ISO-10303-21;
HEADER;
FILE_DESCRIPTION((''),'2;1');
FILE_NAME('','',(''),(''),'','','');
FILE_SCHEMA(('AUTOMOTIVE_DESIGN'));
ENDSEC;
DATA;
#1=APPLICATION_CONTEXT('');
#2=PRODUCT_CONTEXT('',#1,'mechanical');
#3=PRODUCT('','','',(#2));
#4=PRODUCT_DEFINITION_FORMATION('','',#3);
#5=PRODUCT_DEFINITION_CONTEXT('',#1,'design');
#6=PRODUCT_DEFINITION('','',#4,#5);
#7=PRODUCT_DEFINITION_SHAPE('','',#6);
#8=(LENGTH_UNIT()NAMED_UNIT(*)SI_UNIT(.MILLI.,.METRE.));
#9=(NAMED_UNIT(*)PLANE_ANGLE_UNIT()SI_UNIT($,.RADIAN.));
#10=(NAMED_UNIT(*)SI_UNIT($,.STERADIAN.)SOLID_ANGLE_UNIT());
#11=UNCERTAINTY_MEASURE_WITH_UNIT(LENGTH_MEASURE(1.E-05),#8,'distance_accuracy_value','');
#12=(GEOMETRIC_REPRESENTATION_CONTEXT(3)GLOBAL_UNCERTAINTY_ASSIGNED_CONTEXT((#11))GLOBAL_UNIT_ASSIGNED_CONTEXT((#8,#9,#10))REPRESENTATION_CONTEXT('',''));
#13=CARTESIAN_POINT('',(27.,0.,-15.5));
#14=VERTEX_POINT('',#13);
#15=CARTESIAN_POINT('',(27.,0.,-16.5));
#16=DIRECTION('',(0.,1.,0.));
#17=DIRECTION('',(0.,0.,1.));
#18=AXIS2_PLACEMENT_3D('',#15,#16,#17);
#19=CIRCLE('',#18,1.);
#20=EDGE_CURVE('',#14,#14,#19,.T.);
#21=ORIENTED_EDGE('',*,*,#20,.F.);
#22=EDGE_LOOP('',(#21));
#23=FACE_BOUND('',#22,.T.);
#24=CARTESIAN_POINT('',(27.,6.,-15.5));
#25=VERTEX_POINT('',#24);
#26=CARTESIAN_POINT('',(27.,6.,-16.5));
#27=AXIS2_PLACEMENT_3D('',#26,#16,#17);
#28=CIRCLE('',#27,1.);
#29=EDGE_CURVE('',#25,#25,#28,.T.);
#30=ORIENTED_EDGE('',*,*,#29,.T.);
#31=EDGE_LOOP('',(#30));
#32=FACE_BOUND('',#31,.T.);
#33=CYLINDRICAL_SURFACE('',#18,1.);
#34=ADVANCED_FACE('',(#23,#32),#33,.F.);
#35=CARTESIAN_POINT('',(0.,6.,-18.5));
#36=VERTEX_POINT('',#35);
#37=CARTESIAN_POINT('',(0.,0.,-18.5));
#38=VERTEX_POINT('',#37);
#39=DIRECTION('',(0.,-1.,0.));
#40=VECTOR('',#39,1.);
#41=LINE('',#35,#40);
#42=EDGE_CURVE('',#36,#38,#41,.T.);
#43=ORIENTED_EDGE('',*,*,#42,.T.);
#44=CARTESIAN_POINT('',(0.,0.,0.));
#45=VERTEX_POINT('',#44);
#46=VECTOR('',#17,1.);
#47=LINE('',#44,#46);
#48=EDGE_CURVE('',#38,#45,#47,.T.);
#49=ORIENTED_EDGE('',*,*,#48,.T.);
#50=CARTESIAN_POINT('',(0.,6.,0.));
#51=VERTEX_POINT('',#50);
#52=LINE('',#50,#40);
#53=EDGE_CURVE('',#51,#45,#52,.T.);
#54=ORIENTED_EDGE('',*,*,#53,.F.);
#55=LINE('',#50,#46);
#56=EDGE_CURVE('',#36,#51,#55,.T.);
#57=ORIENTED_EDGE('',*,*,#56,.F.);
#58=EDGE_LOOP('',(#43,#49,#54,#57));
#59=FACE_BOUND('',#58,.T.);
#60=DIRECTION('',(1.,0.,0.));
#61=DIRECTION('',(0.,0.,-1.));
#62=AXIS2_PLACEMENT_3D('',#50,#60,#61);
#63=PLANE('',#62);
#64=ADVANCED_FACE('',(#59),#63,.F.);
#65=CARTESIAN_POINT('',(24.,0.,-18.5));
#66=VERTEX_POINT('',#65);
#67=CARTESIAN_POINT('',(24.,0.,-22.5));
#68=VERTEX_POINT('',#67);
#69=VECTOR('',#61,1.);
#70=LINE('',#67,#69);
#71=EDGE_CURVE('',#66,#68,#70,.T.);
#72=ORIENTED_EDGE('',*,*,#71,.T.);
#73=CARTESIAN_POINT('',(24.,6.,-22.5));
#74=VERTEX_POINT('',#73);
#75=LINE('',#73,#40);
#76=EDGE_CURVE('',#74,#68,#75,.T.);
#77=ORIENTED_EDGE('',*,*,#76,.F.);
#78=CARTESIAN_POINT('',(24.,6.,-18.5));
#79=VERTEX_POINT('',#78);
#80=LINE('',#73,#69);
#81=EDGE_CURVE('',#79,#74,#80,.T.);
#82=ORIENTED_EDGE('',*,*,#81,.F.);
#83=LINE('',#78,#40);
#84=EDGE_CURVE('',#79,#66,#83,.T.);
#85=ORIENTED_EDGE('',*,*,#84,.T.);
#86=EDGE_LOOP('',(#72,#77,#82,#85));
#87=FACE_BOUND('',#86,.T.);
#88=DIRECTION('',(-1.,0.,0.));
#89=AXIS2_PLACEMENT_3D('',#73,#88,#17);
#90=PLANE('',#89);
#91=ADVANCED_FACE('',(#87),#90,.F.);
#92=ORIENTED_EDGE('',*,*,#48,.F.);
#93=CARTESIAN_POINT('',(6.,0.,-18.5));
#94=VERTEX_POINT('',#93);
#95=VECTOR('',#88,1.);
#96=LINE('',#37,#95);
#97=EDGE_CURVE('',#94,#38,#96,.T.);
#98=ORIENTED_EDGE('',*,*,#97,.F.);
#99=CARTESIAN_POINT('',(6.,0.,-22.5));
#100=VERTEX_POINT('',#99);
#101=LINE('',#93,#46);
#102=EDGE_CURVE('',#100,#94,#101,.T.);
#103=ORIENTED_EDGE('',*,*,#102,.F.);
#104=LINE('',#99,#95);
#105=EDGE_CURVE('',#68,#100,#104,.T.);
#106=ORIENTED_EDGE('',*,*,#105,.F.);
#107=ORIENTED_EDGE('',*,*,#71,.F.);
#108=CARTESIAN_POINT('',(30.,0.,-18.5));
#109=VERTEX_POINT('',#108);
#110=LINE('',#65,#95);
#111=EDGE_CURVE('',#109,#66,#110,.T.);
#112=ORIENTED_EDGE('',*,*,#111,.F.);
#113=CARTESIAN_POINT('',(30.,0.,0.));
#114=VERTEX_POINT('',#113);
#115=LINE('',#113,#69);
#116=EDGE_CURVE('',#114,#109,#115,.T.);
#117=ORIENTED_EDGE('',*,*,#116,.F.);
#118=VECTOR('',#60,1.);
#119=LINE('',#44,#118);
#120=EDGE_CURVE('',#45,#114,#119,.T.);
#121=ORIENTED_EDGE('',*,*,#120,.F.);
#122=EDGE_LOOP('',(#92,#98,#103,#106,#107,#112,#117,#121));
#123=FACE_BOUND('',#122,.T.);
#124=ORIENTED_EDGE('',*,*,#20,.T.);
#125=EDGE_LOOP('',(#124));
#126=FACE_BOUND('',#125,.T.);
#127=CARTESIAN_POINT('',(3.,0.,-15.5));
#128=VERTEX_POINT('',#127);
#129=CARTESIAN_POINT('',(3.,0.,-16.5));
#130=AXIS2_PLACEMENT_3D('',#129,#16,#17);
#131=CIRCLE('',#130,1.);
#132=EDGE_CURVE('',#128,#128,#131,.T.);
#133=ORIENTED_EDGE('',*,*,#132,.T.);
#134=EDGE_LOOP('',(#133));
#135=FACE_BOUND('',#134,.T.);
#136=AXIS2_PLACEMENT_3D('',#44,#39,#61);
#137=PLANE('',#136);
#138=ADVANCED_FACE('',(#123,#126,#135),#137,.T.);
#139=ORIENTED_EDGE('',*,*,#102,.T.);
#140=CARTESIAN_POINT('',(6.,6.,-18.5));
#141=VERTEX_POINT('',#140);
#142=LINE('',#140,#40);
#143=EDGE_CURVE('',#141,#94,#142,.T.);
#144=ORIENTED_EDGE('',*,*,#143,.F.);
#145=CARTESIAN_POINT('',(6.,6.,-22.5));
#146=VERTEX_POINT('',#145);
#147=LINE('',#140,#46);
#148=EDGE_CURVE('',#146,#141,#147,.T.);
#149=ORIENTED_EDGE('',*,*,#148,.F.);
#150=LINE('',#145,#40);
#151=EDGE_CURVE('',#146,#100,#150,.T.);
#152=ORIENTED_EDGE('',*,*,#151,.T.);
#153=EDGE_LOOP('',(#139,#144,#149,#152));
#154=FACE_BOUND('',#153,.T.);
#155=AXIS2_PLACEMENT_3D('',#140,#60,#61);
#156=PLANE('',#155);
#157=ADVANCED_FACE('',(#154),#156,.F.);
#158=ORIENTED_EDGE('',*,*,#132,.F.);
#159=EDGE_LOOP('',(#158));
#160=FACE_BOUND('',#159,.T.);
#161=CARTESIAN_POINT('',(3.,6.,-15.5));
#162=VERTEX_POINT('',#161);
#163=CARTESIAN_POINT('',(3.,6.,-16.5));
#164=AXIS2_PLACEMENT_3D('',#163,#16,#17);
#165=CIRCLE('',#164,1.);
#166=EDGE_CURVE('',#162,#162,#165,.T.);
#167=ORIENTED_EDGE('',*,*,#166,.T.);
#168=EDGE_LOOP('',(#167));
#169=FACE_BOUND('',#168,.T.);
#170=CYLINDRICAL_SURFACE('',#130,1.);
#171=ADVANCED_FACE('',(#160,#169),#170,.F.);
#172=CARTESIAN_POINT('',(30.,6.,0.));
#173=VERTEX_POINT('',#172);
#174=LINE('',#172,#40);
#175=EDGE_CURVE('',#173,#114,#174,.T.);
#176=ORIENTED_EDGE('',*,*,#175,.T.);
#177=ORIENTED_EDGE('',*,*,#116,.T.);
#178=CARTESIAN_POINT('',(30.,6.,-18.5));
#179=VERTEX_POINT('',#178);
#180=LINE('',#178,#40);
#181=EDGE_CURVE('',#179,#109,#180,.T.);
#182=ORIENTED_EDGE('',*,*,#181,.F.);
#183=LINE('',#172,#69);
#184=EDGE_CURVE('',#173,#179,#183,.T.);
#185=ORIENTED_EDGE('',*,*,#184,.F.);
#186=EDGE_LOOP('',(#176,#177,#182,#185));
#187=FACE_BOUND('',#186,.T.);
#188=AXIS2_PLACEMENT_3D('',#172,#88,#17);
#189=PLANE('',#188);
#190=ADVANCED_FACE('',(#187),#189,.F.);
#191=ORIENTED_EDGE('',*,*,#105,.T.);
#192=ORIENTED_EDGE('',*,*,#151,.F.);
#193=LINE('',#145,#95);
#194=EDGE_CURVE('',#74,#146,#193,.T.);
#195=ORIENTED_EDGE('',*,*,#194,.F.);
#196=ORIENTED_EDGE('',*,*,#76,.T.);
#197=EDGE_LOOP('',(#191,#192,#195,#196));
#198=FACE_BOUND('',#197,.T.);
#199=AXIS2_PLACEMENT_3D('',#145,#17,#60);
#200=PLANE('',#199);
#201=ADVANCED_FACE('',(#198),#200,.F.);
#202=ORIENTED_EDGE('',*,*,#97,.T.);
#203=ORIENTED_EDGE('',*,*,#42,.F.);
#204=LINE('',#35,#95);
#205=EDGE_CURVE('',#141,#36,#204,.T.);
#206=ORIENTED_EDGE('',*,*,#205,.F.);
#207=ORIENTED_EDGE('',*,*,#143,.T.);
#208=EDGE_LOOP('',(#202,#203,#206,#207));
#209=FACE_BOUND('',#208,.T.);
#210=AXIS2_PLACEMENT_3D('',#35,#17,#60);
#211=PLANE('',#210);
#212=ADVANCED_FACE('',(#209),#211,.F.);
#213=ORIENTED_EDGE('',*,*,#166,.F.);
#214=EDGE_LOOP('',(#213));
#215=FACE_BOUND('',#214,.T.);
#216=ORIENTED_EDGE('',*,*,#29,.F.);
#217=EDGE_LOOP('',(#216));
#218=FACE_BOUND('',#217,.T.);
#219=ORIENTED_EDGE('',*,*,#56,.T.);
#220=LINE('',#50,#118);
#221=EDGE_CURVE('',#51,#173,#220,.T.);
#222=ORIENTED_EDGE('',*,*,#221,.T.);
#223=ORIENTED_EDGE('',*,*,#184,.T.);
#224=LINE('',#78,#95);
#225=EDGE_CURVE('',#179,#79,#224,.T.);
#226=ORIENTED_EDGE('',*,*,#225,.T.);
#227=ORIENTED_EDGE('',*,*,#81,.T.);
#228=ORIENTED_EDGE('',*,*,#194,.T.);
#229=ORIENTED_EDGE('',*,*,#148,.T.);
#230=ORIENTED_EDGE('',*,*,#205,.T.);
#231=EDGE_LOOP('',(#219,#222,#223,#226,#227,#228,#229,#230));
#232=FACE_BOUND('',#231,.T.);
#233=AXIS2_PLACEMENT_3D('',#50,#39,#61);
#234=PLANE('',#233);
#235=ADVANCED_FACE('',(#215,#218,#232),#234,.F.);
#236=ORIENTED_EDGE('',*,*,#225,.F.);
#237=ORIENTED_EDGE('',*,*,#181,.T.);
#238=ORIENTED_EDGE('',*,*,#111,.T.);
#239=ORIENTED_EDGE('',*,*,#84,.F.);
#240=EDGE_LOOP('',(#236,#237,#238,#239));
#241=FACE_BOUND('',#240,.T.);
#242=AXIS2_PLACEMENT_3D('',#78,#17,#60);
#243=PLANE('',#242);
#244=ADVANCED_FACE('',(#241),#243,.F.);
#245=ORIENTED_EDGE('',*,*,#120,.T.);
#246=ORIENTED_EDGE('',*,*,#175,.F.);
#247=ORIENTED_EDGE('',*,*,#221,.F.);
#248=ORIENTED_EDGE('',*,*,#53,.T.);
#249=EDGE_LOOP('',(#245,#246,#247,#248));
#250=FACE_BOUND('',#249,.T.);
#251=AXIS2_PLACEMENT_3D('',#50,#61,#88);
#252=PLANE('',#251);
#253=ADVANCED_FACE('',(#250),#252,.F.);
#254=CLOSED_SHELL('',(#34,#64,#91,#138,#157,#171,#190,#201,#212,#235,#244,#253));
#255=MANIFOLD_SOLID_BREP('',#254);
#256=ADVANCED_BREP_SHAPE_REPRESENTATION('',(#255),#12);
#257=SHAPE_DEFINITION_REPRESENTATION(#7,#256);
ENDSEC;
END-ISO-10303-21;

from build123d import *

# Parameters (mm, degrees)
BOSS_EXTRUDE1_DEPTH = 6
SKETCH2_R           = 1
CUT_EXTRUDE1_DEPTH  = 38.976966704


with BuildPart() as part:
    # Sketch1 → Boss-Extrude1 (new body)
    with BuildSketch(Plane(origin=(0, 0, 0), x_dir=(1, 0, 0), z_dir=(0, 1, 0))):
        Polygon((0, 18.5), (6, 18.5), (6, 22.5), (24, 22.5), (24, 18.5), (30, 18.5), (30, 0), (0, 0), align=None)
    extrude(amount=BOSS_EXTRUDE1_DEPTH)

    # Sketch2 → Cut-Extrude1 (cut, through all)
    with BuildSketch(Plane(origin=(0, 6, 0), x_dir=(1, 0, 0), z_dir=(0, 1, 0))):
        with Locations(Location((3, 16.5, 0), (0, 0, 270))):
            Circle(SKETCH2_R)
        with Locations(Location((27, 16.5, 0), (0, 0, 270))):
            Circle(SKETCH2_R)
    extrude(amount=-CUT_EXTRUDE1_DEPTH, mode=Mode.SUBTRACT)


solid = part.part
